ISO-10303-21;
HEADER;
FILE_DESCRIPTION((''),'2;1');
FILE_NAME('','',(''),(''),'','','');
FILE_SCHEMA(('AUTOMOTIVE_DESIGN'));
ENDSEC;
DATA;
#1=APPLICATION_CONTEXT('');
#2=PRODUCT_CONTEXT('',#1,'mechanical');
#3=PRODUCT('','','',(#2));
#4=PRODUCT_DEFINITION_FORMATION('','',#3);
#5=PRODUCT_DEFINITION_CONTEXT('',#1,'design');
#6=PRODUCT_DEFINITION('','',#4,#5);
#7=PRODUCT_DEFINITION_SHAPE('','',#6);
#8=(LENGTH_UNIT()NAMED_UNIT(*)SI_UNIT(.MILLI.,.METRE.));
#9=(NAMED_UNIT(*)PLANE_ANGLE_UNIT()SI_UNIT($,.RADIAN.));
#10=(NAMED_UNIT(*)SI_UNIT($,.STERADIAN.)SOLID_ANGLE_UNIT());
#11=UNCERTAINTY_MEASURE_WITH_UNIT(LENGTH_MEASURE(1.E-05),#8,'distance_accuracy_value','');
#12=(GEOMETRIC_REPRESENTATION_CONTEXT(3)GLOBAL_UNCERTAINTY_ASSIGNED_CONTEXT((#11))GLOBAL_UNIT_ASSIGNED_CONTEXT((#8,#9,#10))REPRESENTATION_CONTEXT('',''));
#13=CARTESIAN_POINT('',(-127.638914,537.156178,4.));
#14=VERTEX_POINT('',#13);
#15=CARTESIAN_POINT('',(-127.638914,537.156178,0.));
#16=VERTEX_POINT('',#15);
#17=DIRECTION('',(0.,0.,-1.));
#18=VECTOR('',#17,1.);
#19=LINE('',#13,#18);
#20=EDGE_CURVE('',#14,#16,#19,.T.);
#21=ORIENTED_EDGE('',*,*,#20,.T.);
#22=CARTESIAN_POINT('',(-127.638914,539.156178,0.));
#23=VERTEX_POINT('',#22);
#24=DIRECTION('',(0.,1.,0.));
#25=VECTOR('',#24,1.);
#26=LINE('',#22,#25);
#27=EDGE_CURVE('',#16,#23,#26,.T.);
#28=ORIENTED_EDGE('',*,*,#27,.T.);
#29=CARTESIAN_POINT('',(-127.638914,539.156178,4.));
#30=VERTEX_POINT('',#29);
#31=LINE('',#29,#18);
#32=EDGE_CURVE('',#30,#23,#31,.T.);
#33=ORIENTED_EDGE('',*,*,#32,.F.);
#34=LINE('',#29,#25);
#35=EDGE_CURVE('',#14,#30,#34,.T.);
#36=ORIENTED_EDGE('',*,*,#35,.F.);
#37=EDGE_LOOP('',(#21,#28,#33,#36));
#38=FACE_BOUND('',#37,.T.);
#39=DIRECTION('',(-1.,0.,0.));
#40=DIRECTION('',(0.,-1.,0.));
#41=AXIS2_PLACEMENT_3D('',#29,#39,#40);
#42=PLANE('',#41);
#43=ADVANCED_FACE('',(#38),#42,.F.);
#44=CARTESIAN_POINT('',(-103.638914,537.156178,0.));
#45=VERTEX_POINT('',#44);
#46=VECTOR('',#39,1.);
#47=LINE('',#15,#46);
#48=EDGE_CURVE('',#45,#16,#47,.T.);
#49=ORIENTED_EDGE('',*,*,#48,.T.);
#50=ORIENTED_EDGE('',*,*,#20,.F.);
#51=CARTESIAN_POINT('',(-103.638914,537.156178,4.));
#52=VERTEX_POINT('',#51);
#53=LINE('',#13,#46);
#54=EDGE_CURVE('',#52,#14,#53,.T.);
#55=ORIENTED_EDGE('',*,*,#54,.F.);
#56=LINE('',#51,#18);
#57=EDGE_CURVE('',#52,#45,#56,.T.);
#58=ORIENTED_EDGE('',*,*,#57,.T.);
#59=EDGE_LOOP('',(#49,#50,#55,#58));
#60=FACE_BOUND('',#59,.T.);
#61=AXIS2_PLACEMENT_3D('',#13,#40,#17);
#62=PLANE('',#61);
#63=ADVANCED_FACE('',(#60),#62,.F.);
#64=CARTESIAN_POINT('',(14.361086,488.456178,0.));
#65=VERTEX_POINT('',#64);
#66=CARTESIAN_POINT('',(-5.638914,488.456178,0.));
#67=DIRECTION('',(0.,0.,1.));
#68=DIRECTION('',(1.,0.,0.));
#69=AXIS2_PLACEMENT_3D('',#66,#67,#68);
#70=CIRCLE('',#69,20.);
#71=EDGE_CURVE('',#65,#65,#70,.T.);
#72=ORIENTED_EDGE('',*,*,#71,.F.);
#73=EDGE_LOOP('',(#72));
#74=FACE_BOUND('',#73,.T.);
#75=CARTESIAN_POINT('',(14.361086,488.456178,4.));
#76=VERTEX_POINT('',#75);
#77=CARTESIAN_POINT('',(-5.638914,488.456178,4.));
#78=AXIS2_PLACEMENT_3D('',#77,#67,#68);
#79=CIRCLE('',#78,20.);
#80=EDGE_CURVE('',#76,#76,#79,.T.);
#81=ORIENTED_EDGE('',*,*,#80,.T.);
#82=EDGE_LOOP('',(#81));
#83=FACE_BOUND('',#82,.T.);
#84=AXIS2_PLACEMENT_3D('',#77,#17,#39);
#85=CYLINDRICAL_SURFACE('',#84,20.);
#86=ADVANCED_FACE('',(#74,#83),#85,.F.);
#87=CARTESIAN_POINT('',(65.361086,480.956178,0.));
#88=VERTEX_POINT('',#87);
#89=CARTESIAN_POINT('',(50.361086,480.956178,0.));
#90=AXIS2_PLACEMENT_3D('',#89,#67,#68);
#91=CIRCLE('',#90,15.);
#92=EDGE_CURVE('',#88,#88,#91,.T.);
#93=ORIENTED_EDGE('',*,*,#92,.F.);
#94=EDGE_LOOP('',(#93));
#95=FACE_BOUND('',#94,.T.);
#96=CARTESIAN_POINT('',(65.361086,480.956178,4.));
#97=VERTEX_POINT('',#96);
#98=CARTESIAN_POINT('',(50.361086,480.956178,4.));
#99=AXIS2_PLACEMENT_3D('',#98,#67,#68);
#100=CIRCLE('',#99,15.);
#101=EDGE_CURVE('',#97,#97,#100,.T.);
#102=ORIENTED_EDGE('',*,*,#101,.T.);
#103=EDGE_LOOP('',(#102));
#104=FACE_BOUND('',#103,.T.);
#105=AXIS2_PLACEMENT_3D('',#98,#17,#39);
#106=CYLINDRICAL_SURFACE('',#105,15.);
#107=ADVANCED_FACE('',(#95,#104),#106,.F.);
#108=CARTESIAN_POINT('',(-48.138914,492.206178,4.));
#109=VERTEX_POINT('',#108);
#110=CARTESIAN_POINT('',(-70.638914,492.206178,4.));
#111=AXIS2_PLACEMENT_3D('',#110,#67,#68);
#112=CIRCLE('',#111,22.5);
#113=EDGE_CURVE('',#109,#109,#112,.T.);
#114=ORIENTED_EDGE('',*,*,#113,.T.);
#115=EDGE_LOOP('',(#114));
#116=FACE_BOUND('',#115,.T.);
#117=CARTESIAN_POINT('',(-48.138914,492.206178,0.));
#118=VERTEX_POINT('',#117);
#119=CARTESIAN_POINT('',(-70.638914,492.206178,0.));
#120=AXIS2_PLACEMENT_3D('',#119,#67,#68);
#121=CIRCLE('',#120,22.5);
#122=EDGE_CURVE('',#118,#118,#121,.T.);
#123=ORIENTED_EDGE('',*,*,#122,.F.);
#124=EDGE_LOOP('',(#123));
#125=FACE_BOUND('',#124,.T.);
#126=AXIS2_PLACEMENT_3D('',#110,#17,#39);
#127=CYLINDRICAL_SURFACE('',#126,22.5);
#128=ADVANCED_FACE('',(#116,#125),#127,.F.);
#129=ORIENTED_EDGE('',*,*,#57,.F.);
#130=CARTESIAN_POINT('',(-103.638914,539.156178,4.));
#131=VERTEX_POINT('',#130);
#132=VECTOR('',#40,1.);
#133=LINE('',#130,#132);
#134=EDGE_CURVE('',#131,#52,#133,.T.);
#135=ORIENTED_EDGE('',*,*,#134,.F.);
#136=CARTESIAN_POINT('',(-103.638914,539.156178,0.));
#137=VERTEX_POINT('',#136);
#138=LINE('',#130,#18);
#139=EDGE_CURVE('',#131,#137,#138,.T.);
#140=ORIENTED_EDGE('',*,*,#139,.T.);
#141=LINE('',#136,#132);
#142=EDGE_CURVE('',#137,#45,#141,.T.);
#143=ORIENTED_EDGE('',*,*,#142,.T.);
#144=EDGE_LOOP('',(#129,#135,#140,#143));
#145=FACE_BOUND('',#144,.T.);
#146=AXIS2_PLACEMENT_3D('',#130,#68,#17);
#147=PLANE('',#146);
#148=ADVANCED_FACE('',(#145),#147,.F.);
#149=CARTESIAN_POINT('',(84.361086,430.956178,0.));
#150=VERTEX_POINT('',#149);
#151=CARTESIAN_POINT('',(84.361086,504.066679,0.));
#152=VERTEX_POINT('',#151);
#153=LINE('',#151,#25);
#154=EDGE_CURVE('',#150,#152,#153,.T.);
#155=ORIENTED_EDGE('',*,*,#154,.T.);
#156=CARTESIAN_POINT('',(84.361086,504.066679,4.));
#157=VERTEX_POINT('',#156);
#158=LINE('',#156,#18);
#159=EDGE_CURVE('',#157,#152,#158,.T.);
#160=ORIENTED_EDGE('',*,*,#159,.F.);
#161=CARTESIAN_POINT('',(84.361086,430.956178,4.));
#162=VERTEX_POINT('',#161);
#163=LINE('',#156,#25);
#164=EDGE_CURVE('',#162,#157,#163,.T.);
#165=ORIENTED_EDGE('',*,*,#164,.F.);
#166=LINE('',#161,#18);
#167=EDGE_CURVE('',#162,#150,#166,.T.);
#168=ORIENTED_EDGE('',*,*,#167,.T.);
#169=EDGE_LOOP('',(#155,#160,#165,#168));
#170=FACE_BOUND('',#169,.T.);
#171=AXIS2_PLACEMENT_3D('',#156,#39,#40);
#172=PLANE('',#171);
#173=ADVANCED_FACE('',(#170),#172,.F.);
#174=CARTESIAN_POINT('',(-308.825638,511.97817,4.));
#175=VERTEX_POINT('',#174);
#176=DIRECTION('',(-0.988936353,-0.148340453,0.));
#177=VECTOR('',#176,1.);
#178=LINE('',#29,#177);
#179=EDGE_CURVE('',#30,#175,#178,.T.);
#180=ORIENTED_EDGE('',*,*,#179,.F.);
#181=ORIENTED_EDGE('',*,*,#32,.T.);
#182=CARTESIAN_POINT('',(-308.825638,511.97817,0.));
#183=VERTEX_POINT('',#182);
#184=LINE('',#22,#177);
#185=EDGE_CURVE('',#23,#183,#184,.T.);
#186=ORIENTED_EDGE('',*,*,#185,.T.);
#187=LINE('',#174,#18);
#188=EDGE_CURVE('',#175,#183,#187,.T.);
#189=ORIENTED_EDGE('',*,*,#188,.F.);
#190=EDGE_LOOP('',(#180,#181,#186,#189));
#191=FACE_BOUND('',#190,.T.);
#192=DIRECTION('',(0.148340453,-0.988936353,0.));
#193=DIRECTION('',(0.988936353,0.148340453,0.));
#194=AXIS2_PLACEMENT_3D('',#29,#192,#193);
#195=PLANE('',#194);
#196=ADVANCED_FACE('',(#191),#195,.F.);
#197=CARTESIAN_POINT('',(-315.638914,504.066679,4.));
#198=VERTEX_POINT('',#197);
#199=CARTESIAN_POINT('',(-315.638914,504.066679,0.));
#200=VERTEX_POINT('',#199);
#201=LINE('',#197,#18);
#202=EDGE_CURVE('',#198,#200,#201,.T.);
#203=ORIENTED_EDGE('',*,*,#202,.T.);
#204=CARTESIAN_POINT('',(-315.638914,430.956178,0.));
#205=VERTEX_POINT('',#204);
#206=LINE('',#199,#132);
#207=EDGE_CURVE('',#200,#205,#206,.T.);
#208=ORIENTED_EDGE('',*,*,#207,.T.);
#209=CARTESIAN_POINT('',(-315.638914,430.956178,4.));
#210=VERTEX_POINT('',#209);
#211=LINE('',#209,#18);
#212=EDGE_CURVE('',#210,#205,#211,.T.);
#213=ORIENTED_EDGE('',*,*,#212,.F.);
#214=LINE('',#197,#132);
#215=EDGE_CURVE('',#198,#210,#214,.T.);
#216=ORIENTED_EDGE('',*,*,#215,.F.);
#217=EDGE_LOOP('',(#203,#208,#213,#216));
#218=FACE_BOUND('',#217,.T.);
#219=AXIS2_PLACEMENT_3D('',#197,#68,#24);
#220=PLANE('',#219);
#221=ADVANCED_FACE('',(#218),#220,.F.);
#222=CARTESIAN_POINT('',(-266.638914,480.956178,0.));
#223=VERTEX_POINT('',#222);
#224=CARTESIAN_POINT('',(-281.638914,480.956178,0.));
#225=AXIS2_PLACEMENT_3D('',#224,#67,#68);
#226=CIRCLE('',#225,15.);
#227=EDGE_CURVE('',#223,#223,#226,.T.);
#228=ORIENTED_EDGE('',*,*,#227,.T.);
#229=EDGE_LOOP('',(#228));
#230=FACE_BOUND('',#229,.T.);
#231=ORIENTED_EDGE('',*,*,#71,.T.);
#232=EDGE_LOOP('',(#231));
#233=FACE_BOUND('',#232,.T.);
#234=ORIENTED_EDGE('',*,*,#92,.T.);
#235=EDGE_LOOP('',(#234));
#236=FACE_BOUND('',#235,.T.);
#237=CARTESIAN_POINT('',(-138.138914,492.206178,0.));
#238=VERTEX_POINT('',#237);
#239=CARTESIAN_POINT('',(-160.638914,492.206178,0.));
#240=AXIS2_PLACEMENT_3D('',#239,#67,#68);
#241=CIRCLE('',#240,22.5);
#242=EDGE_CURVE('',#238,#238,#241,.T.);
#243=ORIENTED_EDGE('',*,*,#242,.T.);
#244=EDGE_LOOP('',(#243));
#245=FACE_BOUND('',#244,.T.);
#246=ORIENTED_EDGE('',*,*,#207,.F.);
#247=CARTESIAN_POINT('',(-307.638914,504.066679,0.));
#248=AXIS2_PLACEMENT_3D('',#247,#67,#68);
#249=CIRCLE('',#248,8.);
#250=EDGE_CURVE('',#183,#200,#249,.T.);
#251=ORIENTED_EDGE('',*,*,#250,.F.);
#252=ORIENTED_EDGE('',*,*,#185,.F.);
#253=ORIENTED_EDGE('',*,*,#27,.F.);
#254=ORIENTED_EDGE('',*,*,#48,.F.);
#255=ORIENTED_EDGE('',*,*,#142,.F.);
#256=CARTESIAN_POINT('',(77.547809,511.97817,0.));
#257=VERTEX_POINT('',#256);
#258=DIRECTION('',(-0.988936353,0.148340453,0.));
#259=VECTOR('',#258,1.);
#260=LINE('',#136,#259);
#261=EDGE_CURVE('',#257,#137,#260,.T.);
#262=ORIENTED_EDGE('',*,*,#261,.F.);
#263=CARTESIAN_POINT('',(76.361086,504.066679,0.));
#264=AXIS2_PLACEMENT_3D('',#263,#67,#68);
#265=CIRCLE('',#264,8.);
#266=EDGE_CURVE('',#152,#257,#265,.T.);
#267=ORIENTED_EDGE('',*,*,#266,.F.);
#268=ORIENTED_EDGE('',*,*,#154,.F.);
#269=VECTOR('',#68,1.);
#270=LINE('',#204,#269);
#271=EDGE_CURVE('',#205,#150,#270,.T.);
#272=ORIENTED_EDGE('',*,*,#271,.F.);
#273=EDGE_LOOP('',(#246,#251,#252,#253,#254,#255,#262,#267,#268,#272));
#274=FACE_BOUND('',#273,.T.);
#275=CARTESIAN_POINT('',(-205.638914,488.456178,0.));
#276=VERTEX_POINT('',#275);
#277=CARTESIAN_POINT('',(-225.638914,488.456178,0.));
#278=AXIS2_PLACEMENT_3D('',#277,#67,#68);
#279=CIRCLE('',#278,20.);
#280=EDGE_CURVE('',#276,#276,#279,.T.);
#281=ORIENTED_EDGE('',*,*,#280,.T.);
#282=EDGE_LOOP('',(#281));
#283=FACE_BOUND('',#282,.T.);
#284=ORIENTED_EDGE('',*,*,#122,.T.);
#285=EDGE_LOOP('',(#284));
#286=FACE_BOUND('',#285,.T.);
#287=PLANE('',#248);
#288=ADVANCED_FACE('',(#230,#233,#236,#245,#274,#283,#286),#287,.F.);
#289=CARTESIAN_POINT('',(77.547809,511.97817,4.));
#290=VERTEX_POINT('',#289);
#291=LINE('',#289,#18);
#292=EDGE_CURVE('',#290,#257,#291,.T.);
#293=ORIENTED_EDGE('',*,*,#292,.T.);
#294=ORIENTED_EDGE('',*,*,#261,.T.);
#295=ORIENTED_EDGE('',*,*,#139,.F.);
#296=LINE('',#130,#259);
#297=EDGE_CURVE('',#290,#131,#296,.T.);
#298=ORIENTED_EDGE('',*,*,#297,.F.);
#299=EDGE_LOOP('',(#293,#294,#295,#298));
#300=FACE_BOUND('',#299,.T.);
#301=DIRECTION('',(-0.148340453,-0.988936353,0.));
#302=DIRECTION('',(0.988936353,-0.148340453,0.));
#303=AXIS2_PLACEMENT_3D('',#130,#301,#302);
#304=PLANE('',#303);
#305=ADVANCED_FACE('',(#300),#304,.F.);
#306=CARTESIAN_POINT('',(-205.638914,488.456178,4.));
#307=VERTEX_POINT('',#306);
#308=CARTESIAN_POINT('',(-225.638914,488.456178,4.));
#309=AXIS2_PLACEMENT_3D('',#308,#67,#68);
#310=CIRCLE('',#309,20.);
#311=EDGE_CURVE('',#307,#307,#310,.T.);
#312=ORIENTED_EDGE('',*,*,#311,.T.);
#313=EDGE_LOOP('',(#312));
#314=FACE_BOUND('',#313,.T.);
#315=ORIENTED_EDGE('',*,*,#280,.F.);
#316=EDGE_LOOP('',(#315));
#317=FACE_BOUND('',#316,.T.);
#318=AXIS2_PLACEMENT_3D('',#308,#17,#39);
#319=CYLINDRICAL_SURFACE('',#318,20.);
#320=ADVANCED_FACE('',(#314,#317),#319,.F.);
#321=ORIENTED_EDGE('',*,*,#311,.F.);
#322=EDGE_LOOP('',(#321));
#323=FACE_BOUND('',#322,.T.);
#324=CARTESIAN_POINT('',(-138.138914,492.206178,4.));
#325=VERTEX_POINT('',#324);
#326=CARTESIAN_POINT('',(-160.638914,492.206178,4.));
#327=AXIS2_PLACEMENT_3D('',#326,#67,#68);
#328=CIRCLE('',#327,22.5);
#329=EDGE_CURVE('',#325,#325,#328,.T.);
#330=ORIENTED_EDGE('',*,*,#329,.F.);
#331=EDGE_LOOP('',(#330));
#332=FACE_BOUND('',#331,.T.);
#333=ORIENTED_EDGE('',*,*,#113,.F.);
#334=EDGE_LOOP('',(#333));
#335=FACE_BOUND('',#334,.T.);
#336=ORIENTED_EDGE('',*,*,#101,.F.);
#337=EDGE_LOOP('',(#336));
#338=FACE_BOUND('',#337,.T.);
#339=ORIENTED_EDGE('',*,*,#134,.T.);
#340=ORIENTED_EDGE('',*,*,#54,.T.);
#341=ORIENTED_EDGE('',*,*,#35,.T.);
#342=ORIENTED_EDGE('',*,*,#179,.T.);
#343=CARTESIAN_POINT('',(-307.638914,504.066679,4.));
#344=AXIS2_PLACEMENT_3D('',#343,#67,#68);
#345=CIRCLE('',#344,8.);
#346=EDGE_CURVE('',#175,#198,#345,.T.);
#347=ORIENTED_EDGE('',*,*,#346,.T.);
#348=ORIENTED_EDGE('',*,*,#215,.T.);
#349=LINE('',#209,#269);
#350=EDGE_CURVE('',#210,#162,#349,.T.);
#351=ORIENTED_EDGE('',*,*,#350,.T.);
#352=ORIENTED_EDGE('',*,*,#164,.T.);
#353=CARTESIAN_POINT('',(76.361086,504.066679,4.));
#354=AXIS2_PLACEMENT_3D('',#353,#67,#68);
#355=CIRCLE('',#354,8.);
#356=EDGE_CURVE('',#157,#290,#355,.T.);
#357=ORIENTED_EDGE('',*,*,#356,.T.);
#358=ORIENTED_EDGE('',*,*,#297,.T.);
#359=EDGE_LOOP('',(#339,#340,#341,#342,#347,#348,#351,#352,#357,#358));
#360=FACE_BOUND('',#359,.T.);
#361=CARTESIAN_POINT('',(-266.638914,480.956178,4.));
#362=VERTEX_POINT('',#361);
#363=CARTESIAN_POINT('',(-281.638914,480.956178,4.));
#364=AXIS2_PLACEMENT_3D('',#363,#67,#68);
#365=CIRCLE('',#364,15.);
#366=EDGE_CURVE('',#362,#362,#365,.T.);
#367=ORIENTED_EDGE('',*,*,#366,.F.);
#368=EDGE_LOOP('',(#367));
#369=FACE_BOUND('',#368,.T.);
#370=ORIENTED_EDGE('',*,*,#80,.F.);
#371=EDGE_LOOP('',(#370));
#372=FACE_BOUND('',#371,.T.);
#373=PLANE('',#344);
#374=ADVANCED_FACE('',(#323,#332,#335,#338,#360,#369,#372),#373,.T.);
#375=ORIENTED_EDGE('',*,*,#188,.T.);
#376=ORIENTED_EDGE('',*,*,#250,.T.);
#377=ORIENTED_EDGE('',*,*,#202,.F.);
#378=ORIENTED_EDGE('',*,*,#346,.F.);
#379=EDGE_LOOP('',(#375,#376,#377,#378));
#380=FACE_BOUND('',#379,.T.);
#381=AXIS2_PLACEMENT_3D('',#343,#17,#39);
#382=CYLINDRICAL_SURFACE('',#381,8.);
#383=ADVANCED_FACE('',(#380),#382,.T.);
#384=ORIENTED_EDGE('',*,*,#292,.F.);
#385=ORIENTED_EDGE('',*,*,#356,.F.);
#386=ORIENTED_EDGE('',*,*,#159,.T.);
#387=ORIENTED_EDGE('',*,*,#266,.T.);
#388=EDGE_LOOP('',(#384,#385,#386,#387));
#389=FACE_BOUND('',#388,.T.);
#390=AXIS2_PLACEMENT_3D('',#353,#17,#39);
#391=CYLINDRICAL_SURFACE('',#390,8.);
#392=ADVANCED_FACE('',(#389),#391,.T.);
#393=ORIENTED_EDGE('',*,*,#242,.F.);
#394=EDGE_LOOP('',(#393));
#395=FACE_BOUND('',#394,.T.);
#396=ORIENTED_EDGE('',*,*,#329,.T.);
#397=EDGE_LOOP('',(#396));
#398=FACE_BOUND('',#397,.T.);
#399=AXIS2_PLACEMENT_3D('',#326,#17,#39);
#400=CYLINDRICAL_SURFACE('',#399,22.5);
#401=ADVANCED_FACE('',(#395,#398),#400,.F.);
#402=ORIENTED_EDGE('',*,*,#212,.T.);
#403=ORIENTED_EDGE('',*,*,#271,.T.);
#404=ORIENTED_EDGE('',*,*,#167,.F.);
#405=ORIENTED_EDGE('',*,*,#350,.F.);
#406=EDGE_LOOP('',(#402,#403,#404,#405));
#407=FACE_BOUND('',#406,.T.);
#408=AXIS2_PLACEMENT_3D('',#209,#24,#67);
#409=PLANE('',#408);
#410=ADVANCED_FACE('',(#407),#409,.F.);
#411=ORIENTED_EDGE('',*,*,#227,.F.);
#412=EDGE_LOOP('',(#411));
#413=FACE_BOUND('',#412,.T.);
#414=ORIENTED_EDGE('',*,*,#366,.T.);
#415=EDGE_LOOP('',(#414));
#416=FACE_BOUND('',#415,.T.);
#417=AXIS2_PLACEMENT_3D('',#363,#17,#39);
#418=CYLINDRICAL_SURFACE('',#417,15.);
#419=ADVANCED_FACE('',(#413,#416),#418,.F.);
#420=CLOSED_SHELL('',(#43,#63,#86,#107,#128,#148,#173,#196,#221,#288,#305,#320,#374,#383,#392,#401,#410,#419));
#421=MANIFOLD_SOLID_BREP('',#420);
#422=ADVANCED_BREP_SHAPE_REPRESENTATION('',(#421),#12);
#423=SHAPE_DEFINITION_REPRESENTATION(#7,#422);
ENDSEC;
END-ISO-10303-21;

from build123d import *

# Parameters (mm, degrees)
SKETCH_1_R      = 15
SKETCH_1_R_2    = 20
SKETCH_1_R_3    = 22.5
EXTRUDE_1_DEPTH = 4


with BuildPart() as part:
    # 草图1 → 凸台-拉伸1 (new body)
    with BuildSketch(Plane.XY):
        with BuildLine():
            Line((-315.638914213, 504.066678813), (-315.638914213, 430.95617818))
            Line((-315.638914213, 430.95617818), (84.361085787, 430.95617818))
            Line((84.361085787, 430.95617818), (84.361085787, 504.066678813))
            ThreePointArc((84.361085787, 504.066678813), (82.42300747, 509.287129513), (77.547809411, 511.978169636))
            Line((77.547809411, 511.978169636), (-103.638914213, 539.15617818))
            Line((-103.638914213, 539.15617818), (-103.638914213, 537.15617818))
            Line((-103.638914213, 537.15617818), (-127.638914213, 537.15617818))
            Line((-127.638914213, 537.15617818), (-127.638914213, 539.15617818))
            Line((-127.638914213, 539.15617818), (-308.825637836, 511.978169636))
            ThreePointArc((-308.825637836, 511.978169636), (-313.700835896, 509.287129513), (-315.638914213, 504.066678813))
        make_face()
        with Locations((50.361085787, 480.95617818)):
            Circle(SKETCH_1_R, mode=Mode.SUBTRACT)
        with Locations((-5.638914213, 488.45617818)):
            Circle(SKETCH_1_R_2, mode=Mode.SUBTRACT)
        with Locations((-70.638914213, 492.20617818)):
            Circle(SKETCH_1_R_3, mode=Mode.SUBTRACT)
        with Locations((-281.638914213, 480.95617818)):
            Circle(SKETCH_1_R, mode=Mode.SUBTRACT)
        with Locations((-225.638914213, 488.45617818)):
            Circle(SKETCH_1_R_2, mode=Mode.SUBTRACT)
        with Locations((-160.638914213, 492.20617818)):
            Circle(SKETCH_1_R_3, mode=Mode.SUBTRACT)
    extrude(amount=EXTRUDE_1_DEPTH)


solid = part.part
